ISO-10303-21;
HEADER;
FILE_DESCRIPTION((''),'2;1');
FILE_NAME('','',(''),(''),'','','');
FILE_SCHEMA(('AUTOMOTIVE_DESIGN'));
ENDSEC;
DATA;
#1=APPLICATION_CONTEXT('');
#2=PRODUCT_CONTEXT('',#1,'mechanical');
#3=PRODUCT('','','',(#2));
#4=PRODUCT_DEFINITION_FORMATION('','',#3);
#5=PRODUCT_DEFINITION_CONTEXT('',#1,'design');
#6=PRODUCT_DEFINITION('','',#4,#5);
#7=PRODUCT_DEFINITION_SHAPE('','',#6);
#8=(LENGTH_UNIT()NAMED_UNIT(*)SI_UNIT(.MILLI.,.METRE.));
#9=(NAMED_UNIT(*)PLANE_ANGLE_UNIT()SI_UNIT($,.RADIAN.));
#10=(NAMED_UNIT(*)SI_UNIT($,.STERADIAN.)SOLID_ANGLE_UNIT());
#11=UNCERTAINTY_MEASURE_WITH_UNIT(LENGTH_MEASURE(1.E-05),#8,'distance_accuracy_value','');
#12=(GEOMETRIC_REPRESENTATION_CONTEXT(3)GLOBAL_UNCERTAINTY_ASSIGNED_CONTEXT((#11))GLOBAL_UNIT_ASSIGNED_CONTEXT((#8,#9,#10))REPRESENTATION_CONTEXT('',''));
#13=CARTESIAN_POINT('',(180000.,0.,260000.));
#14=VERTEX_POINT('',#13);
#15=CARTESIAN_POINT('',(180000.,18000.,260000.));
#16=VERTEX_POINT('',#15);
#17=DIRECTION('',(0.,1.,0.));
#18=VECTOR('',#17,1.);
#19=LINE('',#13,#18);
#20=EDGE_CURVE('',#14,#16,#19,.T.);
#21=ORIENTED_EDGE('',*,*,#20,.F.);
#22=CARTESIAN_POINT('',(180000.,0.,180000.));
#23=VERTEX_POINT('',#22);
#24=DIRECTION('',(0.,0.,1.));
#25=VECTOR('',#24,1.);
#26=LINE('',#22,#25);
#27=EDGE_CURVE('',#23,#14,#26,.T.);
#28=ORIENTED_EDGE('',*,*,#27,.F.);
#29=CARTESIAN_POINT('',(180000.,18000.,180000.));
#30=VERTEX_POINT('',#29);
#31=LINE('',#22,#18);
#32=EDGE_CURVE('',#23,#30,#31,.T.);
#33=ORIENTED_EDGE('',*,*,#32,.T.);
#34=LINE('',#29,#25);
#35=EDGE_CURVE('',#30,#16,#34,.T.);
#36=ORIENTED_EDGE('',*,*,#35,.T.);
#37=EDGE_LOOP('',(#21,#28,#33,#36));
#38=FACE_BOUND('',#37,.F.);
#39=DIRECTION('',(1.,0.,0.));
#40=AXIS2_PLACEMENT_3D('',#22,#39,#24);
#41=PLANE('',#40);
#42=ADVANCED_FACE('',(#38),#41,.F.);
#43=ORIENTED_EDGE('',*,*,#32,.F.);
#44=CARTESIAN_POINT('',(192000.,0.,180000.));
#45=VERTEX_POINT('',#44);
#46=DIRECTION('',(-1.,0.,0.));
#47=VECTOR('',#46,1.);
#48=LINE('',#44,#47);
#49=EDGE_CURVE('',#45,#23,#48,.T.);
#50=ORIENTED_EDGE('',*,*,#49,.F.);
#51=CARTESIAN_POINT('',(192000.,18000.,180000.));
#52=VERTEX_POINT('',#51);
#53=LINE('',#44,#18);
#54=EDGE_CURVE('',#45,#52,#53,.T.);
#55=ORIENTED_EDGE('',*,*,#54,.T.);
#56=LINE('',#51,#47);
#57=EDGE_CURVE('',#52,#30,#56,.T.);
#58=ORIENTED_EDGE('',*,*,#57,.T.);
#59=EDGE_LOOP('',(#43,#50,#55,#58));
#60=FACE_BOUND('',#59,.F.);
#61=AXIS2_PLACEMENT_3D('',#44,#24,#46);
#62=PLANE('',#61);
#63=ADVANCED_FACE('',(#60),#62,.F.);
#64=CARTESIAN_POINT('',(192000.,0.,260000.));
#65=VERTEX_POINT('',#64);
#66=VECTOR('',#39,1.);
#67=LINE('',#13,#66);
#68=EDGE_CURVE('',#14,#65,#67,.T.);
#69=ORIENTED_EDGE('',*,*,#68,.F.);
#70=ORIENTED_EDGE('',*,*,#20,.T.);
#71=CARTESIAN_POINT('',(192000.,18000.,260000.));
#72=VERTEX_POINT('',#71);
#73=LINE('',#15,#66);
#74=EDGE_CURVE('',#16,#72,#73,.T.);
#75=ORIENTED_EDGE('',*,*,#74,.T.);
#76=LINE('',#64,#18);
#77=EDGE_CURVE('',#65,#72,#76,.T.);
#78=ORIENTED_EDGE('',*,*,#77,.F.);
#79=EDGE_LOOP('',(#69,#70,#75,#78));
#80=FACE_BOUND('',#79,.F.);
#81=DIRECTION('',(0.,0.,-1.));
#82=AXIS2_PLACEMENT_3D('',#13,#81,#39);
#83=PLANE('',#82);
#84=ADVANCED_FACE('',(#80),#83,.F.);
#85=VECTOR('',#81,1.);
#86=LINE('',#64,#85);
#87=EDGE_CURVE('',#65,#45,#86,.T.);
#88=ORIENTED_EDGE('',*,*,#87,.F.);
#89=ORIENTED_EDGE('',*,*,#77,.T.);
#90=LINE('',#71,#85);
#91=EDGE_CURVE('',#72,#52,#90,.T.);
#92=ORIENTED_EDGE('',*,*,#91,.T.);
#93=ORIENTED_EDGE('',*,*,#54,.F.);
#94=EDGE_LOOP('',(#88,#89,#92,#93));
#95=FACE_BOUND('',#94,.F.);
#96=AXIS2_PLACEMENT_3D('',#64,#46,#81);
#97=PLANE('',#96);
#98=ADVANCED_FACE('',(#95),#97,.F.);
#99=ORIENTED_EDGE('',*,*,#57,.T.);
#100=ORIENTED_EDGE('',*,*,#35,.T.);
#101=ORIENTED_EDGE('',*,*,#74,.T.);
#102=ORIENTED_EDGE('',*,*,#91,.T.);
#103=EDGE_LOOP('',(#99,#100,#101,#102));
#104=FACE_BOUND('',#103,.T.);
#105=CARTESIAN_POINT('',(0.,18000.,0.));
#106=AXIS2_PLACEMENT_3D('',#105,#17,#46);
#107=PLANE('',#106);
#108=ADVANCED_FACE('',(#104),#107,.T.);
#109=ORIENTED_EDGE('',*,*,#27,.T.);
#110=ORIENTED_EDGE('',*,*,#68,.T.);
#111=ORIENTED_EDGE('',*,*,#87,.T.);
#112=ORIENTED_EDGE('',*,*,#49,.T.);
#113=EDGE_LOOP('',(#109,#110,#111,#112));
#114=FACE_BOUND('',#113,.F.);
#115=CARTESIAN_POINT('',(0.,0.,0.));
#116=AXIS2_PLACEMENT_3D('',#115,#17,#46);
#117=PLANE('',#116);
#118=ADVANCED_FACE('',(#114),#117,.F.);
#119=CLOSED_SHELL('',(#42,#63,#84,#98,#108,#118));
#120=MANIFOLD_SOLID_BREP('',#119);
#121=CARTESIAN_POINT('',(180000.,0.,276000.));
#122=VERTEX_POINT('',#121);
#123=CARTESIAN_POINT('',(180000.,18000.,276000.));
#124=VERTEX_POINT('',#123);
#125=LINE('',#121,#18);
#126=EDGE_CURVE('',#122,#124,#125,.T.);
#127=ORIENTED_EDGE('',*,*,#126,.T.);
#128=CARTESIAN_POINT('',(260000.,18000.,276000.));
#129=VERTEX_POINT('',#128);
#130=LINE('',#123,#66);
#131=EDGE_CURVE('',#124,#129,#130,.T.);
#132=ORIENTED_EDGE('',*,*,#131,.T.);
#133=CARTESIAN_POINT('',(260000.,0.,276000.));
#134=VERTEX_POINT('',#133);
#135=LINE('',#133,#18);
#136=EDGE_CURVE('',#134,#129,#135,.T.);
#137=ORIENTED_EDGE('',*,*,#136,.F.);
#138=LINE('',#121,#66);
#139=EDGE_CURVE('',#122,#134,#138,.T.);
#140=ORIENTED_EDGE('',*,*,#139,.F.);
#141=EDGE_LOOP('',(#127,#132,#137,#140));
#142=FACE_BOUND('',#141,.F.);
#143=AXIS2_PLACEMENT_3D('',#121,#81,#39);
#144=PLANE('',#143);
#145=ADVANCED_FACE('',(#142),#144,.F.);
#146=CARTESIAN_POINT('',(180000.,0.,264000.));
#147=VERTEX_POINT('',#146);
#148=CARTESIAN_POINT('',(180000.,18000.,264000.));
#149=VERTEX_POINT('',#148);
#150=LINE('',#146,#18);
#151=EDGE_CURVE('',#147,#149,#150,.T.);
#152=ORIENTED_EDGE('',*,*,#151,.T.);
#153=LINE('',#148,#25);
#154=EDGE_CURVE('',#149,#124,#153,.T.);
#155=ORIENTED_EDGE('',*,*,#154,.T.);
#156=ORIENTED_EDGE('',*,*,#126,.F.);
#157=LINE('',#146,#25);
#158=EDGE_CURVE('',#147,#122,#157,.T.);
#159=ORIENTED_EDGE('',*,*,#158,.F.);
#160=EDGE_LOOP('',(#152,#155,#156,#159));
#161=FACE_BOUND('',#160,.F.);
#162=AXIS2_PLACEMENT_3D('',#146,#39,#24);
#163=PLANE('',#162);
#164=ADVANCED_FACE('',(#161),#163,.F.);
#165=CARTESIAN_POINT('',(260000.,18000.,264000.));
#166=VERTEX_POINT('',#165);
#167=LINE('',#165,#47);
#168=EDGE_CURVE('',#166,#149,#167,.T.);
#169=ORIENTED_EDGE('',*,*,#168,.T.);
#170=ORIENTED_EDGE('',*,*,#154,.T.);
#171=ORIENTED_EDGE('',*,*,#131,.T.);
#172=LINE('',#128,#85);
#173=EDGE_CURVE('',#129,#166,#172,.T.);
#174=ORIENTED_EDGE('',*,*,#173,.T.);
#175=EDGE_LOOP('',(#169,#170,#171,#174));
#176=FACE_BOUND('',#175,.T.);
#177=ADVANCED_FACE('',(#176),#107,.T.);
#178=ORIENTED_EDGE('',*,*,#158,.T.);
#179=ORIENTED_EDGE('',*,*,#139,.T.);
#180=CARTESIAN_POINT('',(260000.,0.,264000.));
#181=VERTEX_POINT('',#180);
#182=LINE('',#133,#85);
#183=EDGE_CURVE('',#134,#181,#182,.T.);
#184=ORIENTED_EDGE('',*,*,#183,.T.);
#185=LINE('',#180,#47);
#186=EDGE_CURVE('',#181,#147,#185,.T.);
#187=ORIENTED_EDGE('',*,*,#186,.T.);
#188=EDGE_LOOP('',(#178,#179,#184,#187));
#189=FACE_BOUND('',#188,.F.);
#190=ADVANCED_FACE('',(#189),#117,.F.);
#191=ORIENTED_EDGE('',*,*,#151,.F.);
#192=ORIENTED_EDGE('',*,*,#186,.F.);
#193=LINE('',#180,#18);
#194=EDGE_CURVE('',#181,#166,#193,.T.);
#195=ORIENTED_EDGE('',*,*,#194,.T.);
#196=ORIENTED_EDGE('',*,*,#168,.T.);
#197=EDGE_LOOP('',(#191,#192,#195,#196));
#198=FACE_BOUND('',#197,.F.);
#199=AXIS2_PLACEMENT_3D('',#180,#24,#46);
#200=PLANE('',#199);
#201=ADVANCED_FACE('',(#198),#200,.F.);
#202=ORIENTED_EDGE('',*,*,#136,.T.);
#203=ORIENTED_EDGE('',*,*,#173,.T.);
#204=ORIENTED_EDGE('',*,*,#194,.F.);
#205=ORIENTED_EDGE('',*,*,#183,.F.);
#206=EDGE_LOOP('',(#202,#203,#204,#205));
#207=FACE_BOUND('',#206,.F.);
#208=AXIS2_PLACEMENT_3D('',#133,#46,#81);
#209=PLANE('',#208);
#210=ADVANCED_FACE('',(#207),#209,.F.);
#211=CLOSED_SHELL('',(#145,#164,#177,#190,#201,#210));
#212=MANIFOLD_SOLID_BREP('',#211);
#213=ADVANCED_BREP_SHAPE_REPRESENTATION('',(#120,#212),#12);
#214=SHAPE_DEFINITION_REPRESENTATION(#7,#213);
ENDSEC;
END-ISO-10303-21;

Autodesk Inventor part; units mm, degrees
ref_plane "YZ Plane" through (0, 0, 0) normal (1, 0, 0) x (0, 1, 0)
ref_plane "XZ Plane" through (0, 0, 0) normal (0, 1, 0) x (-1, 0, 0)
ref_plane "XY Plane" through (0, 0, 0) normal (0, 0, 1) x (1, 0, 0)
sketch "Boceto1" plane through (0, 0, 0) normal (0, 1, 0) x (-1, 0, 0)
  line L0 (-180000, 276000) -> (-260000, 276000)
  line L1 (-260000, 276000) -> (-260000, 264000)
  line L2 (-260000, 264000) -> (-180000, 264000)
  line L3 (-180000, 264000) -> (-180000, 276000)
  line L4 (-180000, 260000) -> (-192000, 260000)
  line L5 (-192000, 260000) -> (-192000, 180000)
  line L6 (-192000, 180000) -> (-180000, 180000)
  line L7 (-180000, 180000) -> (-180000, 260000)
  line L8 (-548000, 0) -> (0, 0)
  line L9 (0, 0) -> (0, 456000)
  line L10 (-548000, 456000) -> (-548000, 0)
  line L11 (-548000, 456000) -> (0, 456000)
  point P0 (0, 0)
  dimension "d0" = 80000
  dimension "d1" = 12000
  dimension "d2" = 12000
  dimension "d3" = 80000
  dimension "d13" = 180000
  dimension "d14" = 288000
  dimension "d15" = 548000
  dimension "d17" = 4000
  dimension "d19" = 180000
  dimension "d20" = 180000
  dimension "d21" = 456000
extrude "Extrusión1" add sketch "Boceto1" along normal blind 18000 contours L3 L2 L1 L0 | L7 L6 L5 L4
sketch "Boceto2" plane through (0, 0, 0) normal (0, 1, 0) x (-1, 0, 0)
  line L0 (0, 0) -> (0, 456000) projected
  line L1 (-548000, 456000) -> (0, 456000) projected
  line L2 (-548000, 456000) -> (-548000, 0) projected
  line L3 (-548000, 0) -> (0, 0) projected
  point P0 (0, 0)
  dimension "d24" = 548000
  dimension "d25" = 456000
extrude "Extrusión2" [suppressed]
properties part number "2edificios"
